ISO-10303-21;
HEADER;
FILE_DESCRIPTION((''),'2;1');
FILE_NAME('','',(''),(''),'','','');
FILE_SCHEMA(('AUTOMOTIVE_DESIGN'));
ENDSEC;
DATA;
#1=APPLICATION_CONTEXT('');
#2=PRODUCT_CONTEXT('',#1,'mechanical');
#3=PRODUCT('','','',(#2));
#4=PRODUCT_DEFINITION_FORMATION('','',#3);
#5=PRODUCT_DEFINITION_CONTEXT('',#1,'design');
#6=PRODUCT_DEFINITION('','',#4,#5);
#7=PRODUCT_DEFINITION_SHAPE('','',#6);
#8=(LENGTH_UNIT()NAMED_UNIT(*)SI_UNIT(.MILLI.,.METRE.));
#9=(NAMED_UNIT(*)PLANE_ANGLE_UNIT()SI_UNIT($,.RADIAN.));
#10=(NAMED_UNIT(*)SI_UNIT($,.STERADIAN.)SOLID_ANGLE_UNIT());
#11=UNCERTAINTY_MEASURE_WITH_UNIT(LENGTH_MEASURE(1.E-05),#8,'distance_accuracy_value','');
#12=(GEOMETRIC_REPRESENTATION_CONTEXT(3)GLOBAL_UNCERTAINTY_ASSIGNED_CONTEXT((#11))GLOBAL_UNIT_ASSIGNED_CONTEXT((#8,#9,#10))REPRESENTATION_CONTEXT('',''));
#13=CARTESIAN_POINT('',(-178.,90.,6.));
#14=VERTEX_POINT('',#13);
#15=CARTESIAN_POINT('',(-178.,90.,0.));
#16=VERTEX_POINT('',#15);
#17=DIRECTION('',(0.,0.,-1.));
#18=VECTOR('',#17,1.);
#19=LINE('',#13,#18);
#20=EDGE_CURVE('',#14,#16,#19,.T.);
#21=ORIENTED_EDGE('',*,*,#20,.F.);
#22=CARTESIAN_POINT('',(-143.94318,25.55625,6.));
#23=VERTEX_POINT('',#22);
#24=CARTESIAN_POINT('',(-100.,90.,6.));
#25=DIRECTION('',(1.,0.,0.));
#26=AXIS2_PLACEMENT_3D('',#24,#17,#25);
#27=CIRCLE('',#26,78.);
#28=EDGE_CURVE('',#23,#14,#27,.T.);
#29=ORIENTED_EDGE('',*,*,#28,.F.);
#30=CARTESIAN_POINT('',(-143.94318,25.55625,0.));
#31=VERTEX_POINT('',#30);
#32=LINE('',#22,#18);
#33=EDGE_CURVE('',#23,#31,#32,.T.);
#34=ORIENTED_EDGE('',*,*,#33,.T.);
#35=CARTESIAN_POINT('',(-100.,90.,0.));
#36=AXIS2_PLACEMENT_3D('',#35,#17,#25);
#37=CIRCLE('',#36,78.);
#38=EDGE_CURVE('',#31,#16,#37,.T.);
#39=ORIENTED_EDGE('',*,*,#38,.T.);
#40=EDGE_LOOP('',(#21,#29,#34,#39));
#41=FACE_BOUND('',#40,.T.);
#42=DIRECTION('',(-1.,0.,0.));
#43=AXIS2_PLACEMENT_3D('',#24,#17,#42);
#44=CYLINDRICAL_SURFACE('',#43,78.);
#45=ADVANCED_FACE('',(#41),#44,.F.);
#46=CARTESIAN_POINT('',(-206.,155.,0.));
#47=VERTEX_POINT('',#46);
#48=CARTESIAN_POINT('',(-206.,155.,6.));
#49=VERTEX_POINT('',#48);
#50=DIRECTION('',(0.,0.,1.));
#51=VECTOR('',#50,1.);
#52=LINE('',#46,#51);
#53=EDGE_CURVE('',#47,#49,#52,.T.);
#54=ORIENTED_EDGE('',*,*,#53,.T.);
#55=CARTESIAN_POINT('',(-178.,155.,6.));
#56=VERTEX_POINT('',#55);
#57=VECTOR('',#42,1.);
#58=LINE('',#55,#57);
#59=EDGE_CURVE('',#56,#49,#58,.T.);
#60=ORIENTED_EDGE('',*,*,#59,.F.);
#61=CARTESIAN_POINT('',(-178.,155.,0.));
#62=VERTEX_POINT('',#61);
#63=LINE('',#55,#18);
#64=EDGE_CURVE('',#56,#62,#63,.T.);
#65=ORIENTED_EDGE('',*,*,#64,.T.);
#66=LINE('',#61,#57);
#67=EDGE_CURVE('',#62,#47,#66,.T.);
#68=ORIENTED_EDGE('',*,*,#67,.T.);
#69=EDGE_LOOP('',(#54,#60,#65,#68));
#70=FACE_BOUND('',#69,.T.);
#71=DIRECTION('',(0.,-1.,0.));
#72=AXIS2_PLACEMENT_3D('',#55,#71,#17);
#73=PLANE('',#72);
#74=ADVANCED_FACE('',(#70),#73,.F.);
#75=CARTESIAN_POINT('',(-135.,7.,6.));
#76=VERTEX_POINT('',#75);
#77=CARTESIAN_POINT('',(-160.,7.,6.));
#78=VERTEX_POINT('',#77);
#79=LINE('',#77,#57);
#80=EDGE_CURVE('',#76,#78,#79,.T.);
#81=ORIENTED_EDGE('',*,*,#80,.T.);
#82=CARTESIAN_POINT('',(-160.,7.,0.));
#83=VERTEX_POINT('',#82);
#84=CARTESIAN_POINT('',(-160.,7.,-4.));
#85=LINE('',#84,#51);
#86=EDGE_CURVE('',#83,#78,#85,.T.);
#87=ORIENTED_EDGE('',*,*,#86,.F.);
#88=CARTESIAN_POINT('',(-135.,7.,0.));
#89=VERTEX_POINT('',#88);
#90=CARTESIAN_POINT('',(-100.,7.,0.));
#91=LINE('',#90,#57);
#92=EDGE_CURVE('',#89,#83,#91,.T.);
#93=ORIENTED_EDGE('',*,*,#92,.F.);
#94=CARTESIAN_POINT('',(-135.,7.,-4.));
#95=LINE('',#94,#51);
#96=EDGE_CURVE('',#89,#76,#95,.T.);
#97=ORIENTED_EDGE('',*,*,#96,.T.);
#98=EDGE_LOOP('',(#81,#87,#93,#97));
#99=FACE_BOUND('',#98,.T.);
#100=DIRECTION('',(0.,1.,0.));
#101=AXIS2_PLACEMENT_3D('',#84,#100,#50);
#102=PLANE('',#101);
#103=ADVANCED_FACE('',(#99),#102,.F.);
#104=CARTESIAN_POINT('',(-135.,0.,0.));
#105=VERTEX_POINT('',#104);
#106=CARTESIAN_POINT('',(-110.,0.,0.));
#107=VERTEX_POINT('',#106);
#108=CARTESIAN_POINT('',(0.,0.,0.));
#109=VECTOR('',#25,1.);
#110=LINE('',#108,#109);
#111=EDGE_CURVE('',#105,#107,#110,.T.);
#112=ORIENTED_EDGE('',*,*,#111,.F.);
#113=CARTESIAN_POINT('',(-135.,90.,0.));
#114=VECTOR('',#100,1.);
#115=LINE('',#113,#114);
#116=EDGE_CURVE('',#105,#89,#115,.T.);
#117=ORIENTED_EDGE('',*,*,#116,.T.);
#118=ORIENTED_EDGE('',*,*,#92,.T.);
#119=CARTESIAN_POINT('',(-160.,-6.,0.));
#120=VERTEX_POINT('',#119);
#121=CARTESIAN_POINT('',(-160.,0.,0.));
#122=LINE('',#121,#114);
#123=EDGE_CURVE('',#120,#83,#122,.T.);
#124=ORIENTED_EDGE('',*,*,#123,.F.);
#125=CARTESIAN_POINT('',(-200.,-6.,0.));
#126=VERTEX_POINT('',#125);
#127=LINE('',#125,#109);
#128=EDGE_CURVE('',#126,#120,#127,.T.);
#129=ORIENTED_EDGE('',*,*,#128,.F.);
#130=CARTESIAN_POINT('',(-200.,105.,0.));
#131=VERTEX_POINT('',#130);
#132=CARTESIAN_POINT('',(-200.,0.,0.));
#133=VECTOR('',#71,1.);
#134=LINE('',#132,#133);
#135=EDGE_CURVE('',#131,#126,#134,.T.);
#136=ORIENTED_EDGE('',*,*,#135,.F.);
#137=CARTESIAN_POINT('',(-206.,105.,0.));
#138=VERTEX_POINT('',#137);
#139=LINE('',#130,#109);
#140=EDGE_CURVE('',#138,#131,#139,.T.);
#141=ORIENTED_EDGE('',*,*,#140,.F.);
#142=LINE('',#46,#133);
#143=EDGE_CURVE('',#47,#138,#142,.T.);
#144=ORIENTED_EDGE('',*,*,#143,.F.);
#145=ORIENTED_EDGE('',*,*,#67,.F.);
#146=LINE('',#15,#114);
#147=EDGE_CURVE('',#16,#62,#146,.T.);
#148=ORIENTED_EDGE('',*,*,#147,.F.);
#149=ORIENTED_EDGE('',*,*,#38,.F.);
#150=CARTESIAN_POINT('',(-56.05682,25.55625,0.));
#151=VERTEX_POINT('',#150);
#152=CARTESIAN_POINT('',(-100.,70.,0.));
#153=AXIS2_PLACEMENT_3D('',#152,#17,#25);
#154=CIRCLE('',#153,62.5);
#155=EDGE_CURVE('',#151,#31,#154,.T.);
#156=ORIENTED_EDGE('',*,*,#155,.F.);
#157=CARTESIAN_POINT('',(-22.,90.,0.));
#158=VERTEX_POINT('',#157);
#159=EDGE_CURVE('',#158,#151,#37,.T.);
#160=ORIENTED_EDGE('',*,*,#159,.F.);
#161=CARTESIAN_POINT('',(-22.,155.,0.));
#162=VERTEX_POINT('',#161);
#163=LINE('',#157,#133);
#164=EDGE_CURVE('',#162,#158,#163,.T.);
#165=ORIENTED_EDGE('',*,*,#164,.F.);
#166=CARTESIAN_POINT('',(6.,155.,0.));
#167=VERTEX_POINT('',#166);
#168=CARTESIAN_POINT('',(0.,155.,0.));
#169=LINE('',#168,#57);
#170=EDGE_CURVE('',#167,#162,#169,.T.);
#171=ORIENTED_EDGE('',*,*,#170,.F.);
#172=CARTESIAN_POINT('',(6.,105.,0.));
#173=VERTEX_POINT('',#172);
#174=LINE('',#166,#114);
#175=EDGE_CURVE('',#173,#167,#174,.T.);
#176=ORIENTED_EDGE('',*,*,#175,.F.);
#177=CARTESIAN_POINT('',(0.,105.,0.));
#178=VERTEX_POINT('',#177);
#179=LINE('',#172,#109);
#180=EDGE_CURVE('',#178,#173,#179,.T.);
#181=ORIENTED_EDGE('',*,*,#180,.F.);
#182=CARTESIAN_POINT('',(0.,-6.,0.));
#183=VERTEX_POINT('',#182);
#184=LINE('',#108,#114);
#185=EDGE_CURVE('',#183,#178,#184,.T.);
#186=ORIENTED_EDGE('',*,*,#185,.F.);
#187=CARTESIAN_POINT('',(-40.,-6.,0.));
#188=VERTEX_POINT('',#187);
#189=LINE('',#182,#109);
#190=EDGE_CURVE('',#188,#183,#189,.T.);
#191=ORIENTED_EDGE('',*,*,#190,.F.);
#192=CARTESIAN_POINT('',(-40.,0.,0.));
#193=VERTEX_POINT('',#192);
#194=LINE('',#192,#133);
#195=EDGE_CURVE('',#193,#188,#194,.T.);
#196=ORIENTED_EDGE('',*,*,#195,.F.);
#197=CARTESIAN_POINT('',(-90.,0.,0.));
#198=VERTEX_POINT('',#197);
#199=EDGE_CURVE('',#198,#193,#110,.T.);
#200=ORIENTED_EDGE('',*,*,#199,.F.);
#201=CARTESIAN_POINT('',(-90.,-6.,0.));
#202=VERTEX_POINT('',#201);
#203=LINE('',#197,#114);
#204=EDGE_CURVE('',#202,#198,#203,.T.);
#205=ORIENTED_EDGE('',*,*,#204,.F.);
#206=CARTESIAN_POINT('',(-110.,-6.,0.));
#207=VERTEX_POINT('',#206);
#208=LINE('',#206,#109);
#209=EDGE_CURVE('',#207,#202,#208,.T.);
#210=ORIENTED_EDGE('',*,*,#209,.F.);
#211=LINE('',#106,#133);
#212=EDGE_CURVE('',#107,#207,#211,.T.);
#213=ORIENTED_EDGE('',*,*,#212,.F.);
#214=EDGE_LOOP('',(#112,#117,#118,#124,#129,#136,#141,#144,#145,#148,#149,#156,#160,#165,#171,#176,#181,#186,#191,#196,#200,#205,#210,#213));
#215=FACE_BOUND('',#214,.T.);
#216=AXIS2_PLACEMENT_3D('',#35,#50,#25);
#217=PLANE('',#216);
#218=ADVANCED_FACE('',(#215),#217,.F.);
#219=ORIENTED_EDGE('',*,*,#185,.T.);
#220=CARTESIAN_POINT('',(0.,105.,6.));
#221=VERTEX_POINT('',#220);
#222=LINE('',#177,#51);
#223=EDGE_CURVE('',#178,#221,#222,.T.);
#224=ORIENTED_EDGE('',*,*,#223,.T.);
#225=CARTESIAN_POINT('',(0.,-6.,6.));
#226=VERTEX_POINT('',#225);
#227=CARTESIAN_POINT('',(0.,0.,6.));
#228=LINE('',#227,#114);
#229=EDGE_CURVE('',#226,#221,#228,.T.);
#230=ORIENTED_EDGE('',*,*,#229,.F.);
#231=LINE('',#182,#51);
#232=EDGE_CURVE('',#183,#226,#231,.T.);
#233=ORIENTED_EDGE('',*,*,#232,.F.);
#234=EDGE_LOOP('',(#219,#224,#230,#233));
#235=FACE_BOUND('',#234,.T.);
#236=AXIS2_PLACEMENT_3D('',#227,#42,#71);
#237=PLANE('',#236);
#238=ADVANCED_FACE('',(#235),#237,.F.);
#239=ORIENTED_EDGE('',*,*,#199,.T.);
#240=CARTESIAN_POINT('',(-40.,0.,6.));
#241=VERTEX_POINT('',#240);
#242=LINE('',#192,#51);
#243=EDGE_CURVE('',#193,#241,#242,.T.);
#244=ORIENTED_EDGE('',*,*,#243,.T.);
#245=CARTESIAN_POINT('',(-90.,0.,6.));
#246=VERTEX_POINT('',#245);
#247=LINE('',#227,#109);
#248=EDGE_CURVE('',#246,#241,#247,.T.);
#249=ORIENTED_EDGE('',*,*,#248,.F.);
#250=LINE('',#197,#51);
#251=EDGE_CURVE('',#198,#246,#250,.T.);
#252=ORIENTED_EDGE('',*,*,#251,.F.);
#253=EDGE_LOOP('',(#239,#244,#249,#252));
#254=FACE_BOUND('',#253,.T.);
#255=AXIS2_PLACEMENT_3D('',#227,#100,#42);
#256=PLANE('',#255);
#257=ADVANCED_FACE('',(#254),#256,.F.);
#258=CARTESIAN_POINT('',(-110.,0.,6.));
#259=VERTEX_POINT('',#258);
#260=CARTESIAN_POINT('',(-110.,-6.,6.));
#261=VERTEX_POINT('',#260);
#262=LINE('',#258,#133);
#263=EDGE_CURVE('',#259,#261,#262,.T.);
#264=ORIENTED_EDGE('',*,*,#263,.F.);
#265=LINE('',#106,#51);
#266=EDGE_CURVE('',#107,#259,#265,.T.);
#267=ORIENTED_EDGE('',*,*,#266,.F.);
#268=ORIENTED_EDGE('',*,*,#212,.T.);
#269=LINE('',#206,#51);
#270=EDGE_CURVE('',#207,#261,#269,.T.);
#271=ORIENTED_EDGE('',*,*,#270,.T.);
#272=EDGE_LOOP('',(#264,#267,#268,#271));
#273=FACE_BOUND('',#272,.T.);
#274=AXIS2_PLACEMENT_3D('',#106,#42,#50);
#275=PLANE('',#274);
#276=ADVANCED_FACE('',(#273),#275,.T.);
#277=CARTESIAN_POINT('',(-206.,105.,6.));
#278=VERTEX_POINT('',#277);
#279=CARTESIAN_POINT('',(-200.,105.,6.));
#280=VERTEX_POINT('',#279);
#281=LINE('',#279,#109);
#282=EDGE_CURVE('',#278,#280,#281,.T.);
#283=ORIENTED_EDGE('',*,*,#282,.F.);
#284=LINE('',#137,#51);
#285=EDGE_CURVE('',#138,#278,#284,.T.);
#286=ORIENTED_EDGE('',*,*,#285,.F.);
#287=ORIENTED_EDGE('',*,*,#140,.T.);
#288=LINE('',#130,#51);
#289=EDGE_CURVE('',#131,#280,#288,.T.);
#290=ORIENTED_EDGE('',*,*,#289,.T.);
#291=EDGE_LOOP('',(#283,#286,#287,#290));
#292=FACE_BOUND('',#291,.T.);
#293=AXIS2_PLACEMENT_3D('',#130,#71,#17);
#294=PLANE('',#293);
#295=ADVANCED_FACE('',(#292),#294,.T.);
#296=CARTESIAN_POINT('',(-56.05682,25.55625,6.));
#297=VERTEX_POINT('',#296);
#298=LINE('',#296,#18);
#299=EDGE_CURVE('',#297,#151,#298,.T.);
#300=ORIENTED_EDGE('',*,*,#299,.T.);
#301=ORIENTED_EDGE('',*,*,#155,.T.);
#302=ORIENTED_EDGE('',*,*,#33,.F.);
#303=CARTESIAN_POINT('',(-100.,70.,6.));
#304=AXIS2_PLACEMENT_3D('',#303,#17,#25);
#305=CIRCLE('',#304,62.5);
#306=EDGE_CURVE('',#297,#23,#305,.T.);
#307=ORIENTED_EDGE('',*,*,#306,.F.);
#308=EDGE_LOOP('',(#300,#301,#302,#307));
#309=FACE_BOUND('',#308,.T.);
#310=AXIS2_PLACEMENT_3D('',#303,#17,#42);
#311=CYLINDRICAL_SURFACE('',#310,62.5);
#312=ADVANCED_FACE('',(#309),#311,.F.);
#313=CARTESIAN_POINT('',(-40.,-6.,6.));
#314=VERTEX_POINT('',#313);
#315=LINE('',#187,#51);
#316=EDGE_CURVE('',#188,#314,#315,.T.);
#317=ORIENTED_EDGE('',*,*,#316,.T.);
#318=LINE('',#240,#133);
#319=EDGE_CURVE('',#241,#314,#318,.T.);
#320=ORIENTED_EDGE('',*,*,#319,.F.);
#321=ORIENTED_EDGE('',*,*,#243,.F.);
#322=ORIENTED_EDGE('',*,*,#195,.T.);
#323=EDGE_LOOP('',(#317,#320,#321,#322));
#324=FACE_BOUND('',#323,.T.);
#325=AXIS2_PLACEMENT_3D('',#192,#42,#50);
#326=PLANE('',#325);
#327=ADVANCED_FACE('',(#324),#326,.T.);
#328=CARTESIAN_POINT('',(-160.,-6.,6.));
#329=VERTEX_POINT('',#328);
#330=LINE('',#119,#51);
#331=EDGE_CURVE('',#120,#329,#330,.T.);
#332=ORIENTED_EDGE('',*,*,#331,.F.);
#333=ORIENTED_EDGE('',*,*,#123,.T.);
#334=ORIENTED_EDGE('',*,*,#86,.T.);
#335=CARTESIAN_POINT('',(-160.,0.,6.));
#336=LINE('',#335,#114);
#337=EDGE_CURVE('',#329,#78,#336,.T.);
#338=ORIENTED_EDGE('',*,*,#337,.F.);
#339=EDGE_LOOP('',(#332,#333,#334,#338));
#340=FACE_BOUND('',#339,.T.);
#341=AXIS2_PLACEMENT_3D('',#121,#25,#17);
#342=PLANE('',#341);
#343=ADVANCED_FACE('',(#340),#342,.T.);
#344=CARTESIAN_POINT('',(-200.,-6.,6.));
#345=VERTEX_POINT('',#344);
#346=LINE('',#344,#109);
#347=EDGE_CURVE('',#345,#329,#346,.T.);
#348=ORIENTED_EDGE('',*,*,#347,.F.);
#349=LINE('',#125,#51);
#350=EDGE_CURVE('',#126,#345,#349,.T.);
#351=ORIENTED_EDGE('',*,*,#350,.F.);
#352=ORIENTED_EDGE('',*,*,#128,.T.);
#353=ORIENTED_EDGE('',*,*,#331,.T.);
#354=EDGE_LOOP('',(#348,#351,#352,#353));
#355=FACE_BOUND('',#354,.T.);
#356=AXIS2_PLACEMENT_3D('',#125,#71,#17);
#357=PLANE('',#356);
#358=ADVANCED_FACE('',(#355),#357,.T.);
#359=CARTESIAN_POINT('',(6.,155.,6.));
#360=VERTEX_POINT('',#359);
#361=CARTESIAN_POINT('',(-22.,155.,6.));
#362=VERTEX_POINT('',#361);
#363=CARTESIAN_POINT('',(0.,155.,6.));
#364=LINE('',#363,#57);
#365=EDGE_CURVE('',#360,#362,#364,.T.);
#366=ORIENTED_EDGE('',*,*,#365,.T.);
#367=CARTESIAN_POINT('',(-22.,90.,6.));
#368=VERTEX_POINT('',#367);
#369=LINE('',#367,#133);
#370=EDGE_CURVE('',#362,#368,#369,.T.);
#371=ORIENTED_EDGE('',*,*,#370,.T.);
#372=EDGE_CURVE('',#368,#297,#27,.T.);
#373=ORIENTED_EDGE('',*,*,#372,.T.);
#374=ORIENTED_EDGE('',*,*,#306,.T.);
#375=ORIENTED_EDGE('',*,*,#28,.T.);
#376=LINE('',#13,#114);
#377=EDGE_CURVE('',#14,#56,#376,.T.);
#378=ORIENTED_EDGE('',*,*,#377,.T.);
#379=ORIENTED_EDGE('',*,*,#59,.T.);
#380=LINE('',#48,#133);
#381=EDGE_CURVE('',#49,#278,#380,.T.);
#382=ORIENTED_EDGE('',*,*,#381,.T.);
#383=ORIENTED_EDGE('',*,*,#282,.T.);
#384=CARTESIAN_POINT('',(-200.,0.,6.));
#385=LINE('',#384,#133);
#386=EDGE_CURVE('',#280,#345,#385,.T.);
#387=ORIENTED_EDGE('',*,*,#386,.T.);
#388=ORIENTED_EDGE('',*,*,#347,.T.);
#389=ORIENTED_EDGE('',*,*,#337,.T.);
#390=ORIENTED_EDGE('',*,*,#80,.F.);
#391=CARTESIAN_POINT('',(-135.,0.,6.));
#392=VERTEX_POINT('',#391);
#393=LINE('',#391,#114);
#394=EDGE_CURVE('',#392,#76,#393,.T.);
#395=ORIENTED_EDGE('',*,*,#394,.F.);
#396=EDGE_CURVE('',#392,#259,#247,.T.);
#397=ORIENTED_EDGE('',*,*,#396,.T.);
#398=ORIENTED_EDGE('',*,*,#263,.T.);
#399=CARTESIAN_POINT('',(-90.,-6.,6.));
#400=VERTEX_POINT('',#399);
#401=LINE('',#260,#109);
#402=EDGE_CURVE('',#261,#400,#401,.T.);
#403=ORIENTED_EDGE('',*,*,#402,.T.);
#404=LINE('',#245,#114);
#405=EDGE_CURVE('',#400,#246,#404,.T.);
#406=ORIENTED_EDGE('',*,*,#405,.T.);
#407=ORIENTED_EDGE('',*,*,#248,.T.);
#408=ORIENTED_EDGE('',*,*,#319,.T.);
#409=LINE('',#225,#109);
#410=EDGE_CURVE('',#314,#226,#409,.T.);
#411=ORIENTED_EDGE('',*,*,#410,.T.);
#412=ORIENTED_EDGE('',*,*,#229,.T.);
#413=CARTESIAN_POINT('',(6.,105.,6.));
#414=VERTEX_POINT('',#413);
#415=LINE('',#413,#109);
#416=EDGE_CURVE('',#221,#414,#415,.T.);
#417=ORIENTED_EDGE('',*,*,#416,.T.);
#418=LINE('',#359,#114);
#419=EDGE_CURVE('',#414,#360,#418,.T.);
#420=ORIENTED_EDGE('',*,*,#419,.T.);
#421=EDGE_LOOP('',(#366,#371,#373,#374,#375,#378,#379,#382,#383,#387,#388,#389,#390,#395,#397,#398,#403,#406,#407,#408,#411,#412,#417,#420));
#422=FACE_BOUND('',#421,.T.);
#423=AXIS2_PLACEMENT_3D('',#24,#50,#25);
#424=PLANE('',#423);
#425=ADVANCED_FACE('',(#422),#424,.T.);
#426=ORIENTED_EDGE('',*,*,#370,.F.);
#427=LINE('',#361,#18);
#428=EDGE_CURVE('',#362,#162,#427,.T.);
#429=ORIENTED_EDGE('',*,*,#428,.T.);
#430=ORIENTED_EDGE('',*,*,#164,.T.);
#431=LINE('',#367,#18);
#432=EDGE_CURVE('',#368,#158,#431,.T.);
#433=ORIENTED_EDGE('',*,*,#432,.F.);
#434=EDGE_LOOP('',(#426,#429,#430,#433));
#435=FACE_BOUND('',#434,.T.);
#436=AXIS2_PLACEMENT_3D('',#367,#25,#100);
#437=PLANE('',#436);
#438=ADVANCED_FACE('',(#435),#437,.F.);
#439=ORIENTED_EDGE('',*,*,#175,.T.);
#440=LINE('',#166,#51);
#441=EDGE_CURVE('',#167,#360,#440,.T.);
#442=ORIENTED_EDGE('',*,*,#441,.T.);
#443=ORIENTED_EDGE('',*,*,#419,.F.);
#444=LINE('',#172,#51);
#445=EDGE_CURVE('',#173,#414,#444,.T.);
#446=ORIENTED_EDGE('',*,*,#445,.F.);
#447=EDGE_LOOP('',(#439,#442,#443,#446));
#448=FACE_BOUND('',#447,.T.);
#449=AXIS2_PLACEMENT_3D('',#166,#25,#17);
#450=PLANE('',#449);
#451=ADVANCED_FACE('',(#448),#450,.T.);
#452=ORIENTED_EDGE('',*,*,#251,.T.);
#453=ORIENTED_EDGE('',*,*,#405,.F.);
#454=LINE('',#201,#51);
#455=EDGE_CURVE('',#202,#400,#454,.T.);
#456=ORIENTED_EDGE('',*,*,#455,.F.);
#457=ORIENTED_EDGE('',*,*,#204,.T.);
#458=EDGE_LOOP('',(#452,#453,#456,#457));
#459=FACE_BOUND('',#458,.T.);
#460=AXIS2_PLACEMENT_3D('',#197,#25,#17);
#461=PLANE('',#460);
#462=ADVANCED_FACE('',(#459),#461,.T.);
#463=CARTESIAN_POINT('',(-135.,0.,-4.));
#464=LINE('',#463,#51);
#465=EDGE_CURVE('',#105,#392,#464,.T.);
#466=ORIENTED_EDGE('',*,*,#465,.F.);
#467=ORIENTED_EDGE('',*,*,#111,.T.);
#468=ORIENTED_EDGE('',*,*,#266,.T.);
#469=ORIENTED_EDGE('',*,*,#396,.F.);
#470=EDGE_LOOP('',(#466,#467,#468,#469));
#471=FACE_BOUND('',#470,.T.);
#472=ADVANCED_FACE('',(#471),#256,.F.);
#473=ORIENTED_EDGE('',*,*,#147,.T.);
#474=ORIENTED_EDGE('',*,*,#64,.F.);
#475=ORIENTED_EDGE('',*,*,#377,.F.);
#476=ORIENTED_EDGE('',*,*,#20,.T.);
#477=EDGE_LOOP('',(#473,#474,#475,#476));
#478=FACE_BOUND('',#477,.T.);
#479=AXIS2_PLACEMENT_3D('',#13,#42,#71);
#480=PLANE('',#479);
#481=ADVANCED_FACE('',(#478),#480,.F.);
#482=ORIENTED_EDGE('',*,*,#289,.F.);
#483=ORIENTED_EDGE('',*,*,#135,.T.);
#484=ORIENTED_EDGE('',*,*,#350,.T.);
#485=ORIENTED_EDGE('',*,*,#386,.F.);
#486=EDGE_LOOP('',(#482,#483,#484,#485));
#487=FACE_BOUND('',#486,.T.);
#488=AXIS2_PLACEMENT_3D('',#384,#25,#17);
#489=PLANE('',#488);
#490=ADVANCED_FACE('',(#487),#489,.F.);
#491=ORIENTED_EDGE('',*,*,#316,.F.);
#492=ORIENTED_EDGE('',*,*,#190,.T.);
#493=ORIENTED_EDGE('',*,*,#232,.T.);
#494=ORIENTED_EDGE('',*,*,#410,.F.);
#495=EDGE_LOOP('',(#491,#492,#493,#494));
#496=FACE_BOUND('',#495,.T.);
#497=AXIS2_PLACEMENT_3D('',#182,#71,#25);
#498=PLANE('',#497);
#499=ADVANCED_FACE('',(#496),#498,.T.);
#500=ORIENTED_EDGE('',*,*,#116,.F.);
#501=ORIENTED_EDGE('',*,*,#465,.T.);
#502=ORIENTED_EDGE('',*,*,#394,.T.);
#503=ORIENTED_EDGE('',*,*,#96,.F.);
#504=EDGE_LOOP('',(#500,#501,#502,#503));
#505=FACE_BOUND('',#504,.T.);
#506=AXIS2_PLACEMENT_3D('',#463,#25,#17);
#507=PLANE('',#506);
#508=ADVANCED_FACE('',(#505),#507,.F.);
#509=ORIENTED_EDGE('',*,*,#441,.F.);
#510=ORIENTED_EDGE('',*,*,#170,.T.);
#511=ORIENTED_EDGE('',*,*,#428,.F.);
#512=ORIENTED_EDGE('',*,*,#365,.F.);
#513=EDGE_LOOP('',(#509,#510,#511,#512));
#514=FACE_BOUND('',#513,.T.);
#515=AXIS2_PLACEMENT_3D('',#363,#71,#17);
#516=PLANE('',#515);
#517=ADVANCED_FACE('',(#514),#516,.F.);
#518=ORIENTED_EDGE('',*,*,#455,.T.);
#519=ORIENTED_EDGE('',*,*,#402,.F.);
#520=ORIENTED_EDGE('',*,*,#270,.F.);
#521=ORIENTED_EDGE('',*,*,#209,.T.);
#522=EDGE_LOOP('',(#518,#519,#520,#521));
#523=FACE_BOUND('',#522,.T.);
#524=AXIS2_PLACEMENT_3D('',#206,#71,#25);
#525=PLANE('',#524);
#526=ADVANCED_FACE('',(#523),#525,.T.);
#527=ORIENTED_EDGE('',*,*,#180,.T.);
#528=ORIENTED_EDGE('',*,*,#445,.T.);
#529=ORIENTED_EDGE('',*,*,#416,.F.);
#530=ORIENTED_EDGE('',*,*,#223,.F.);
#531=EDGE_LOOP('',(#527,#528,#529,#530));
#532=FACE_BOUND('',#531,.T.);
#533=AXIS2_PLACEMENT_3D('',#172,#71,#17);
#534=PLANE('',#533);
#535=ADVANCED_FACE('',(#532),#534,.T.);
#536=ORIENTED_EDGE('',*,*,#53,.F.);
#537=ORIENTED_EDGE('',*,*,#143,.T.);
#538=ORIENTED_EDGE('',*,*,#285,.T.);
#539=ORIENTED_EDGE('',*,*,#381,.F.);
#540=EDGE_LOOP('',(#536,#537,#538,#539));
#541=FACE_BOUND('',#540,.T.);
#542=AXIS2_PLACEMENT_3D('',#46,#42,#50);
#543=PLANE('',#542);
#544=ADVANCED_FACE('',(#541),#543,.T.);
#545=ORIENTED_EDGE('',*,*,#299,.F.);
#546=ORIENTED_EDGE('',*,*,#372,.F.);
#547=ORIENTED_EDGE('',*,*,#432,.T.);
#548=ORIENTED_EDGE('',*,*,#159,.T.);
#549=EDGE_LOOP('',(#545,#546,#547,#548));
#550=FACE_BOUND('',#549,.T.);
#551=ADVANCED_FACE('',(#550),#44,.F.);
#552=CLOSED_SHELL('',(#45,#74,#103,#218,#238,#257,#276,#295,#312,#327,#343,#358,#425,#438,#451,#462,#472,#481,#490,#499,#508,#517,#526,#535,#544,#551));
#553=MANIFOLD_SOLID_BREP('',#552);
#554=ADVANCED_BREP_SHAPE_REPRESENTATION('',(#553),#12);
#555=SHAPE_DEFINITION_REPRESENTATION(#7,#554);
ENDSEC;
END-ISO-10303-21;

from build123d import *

# Parameters (mm, degrees)
BOSS_EXTRUDE1_DEPTH = 6
SKETCH3_W           = 6
SKETCH3_H           = 50
BOSS_EXTRUDE2_DEPTH = 6
LPATTERN1_COUNT     = 2
LPATTERN1_PITCH     = 206
SKETCH4_W           = 40
SKETCH4_H           = 6
SKETCH4_W_2         = 20
BOSS_EXTRUDE3_DEPTH = 6
SKETCH5_W           = 25
SKETCH5_H           = 7
CUT_EXTRUDE1_DEPTH  = 10


with BuildPart() as part:
    # Sketch1 → Boss-Extrude1 (new body)
    with BuildSketch(Plane.XY):
        with BuildLine():
            Line((-178, 90), (-178, 155))
            Line((-178, 155), (-200, 155))
            Line((-200, 155), (-200, 0))
            Line((-200, 0), (0, 0))
            Line((0, 0), (0, 155))
            Line((0, 155), (-22, 155))
            Line((-22, 155), (-22, 90))
            ThreePointArc((-22, 90), (-31.037807258, 53.555302549), (-56.056819802, 25.55625))
            ThreePointArc((-56.056819802, 25.55625), (-100, 7.5), (-143.943180198, 25.55625))
            ThreePointArc((-143.943180198, 25.55625), (-168.962192742, 53.555302549), (-178, 90))
        make_face()
    extrude(amount=BOSS_EXTRUDE1_DEPTH)

    # Sketch3 → Boss-Extrude2 (add)
    with BuildSketch(Plane.XY.offset(6)):
        with Locations((-203, 130)):
            Rectangle(SKETCH3_W, SKETCH3_H)
    boss_extrude2 = extrude(amount=-BOSS_EXTRUDE2_DEPTH)

    # LPattern1: Boss-Extrude2 ×2
    with Locations(*[(i * LPATTERN1_PITCH, 0, 0) for i in range(1, LPATTERN1_COUNT)]):
        add(boss_extrude2)

    # Sketch4 → Boss-Extrude3 (add)
    with BuildSketch(Plane.XY.offset(6)):
        with Locations((-180, -3)):
            Rectangle(SKETCH4_W, SKETCH4_H)
        with Locations((-100, -3)):
            Rectangle(SKETCH4_W_2, SKETCH4_H)
        with Locations((-20, -3)):
            Rectangle(SKETCH4_W, SKETCH4_H)
    extrude(amount=-BOSS_EXTRUDE3_DEPTH)

    # Sketch5 → Cut-Extrude1 (cut)
    with BuildSketch(Plane.XY.offset(6)):
        with Locations((-147.5, 3.5)):
            Rectangle(SKETCH5_W, SKETCH5_H)
    extrude(amount=-CUT_EXTRUDE1_DEPTH, mode=Mode.SUBTRACT)


solid = part.part
